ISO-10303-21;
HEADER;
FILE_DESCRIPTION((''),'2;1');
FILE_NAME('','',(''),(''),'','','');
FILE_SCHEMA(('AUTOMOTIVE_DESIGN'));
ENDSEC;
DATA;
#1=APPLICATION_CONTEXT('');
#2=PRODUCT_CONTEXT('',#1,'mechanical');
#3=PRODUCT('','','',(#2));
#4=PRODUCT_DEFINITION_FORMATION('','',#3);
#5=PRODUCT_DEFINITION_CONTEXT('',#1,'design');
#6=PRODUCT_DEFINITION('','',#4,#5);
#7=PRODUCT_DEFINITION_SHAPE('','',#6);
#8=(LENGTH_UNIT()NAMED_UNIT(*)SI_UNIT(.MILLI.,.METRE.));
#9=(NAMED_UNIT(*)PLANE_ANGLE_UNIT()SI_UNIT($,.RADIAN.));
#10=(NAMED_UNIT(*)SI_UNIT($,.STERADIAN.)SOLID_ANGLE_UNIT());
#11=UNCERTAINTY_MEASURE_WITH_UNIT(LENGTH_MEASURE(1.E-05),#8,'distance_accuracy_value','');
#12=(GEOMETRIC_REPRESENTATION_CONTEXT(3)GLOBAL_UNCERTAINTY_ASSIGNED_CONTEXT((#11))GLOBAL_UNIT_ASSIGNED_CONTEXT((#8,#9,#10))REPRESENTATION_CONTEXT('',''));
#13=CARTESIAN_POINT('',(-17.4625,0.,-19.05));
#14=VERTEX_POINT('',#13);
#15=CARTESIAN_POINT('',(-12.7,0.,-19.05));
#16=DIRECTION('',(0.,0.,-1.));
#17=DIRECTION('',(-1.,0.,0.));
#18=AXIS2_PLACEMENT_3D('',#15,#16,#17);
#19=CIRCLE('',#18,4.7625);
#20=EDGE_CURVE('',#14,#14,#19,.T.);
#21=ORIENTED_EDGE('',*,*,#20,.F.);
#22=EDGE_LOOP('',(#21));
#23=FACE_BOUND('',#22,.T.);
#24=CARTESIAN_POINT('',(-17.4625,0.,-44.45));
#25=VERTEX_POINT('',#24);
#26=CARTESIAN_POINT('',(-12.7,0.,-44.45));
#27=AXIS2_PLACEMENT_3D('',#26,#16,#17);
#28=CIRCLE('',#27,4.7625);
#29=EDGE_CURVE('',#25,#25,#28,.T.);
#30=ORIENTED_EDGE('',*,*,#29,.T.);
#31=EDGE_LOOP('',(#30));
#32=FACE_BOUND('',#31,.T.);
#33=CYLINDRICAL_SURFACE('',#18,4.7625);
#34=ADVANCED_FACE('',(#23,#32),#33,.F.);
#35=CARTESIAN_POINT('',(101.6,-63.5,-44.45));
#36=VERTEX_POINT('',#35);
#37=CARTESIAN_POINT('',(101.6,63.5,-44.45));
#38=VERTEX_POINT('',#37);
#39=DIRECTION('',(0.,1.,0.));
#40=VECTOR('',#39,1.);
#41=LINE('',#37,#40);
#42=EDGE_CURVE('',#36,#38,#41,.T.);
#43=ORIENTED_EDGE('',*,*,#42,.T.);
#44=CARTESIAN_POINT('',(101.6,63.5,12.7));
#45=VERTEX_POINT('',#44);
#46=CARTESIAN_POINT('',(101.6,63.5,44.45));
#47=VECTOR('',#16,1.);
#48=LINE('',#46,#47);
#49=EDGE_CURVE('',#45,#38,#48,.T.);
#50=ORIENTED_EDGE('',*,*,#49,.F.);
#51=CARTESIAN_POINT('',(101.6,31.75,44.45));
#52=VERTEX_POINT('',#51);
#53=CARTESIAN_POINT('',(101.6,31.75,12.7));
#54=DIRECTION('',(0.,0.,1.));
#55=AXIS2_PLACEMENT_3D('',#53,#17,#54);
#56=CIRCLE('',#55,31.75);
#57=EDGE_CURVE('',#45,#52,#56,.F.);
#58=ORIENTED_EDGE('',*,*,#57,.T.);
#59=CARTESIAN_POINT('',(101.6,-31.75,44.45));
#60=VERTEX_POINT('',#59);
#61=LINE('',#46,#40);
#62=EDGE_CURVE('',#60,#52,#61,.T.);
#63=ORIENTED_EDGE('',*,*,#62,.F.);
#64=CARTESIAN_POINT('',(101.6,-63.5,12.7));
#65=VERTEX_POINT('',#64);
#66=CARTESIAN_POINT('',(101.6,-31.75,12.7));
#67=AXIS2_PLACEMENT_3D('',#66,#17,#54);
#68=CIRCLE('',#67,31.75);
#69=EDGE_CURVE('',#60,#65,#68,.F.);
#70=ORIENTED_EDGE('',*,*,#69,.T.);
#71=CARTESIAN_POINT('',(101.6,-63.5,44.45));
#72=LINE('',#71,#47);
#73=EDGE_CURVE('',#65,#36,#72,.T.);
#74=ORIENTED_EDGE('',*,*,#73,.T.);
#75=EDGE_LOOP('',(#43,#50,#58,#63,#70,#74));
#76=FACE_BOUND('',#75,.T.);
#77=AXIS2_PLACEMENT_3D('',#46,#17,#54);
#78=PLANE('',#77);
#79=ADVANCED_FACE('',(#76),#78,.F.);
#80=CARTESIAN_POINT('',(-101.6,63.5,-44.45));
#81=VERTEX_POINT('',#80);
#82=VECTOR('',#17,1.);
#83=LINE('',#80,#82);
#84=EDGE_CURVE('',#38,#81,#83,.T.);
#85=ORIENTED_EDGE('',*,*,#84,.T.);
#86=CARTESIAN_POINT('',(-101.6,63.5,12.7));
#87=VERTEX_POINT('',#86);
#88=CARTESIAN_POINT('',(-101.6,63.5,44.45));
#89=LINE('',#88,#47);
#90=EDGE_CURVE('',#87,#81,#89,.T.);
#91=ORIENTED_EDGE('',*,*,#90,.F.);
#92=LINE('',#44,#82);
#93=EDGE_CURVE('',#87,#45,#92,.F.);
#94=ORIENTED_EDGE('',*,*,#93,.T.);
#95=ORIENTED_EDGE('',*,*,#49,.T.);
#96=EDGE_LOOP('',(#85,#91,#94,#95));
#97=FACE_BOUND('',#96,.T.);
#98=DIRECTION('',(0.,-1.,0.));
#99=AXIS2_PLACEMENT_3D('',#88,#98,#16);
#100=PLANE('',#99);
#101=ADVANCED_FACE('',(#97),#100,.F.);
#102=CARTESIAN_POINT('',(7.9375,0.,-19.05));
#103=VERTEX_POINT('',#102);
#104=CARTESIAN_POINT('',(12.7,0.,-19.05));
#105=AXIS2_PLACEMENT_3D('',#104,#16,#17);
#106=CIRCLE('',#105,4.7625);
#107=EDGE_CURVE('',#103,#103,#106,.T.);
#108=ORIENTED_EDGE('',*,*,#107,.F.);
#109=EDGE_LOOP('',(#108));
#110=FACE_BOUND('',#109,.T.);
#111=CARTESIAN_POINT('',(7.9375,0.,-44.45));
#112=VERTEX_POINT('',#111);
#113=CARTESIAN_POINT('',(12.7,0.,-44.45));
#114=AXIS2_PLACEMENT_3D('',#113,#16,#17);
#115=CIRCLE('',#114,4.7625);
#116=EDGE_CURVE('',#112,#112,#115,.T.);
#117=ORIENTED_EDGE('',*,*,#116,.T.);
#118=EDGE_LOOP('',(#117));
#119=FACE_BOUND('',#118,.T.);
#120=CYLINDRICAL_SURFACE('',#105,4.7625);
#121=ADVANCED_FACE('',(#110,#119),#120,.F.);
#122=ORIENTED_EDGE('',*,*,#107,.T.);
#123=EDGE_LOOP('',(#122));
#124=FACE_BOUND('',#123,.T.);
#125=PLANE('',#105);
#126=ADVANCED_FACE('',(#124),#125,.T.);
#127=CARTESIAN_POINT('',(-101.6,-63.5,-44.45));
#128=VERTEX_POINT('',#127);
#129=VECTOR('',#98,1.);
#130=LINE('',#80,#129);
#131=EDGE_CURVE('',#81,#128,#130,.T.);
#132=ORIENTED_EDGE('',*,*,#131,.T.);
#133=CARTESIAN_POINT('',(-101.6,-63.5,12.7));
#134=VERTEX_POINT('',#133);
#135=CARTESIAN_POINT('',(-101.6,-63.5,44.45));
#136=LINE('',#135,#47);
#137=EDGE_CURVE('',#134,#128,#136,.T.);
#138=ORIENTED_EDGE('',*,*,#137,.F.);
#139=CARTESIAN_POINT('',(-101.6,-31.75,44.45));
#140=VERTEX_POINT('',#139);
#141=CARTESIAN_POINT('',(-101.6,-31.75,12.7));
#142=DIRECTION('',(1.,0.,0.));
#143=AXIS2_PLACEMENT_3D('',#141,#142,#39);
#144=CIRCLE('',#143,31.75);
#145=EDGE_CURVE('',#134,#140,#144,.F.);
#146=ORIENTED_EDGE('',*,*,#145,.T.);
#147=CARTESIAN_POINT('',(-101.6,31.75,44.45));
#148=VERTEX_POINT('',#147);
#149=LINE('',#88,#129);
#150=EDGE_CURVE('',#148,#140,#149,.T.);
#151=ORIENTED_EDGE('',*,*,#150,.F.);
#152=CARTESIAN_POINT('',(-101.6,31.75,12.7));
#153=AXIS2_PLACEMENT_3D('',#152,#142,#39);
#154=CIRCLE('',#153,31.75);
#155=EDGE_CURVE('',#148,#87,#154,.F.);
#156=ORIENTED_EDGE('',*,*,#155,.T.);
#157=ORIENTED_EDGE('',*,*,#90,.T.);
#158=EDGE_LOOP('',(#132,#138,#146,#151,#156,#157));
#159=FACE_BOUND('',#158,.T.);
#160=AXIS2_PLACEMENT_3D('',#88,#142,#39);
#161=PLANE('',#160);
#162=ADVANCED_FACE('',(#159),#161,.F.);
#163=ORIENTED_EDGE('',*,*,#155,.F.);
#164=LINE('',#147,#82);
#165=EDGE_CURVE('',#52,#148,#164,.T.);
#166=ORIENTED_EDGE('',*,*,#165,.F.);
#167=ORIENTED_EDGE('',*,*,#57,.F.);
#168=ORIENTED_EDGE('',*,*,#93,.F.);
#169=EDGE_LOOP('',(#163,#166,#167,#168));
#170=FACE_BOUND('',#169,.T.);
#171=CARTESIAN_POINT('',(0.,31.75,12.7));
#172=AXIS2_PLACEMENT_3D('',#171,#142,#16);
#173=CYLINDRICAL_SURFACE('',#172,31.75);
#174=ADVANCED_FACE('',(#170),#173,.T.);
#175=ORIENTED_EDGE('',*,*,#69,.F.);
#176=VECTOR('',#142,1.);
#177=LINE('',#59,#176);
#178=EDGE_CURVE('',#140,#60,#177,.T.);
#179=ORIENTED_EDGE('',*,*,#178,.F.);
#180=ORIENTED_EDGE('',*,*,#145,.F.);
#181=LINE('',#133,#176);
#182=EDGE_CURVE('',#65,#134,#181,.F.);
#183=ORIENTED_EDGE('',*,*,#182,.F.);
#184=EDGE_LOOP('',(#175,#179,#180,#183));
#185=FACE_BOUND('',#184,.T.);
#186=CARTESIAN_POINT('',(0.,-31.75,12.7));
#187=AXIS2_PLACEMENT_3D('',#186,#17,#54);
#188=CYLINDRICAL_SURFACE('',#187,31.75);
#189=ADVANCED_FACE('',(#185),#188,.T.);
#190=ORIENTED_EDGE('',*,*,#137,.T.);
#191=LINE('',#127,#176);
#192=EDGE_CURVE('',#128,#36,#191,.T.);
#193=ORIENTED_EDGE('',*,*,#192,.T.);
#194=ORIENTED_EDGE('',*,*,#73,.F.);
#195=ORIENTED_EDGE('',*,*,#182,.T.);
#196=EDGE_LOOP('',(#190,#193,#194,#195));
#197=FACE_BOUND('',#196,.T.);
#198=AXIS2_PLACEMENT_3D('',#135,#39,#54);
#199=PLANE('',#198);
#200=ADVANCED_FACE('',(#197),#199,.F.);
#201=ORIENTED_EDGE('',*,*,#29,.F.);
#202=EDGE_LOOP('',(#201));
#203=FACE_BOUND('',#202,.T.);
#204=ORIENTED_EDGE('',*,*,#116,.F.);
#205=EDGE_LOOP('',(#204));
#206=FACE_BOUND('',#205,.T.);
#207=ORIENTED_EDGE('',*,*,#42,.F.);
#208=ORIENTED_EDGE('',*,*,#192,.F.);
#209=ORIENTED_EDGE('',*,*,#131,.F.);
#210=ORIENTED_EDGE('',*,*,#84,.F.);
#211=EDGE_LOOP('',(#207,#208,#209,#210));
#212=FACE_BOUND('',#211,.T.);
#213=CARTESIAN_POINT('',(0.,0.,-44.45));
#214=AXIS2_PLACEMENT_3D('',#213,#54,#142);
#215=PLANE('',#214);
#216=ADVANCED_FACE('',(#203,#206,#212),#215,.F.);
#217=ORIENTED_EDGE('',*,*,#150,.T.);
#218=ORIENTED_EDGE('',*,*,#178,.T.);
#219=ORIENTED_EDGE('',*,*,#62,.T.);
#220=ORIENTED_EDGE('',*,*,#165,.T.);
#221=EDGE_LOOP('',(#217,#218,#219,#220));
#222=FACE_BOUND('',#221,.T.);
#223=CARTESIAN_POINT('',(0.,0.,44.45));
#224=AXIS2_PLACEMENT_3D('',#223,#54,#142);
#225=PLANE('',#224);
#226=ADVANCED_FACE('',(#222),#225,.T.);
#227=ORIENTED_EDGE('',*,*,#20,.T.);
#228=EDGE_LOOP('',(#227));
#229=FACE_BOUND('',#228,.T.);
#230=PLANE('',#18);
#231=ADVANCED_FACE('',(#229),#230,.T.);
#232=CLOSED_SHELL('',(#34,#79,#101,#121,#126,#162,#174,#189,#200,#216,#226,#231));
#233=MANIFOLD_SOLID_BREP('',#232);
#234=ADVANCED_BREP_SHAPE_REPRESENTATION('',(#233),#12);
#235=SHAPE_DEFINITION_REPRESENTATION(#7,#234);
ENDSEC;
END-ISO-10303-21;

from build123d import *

# Parameters (mm, degrees)
SKETCH1_W           = 203.2
SKETCH1_H           = 127
BOSS_EXTRUDE1_DEPTH = 44.45
FILLET1_R           = 31.75
SKETCH3_R           = 4.7625
CUT_EXTRUDE1_DEPTH  = 25.4


with BuildPart() as part:
    # Sketch1 → Boss-Extrude1 (new, symmetric)
    with BuildSketch(Plane.XY):
        Rectangle(SKETCH1_W, SKETCH1_H)
    extrude(amount=BOSS_EXTRUDE1_DEPTH, both=True)

    # Fillet1
    fillet1_edges = [part.edges().sort_by_distance(p)[0] for p in [
        (0, -63.5, 44.45),
        (0, 63.5, 44.45),
    ]]
    fillet(fillet1_edges, radius=FILLET1_R)

    # Sketch3 → Cut-Extrude1 (cut)
    with BuildSketch(Plane(origin=(0, 0, -44.45), x_dir=(-1, 0, 0), z_dir=(0, 0, -1))):
        with Locations((-12.7, 0)):
            Circle(SKETCH3_R)
        with Locations((12.7, 0)):
            Circle(SKETCH3_R)
    extrude(amount=-CUT_EXTRUDE1_DEPTH, mode=Mode.SUBTRACT)


solid = part.part
